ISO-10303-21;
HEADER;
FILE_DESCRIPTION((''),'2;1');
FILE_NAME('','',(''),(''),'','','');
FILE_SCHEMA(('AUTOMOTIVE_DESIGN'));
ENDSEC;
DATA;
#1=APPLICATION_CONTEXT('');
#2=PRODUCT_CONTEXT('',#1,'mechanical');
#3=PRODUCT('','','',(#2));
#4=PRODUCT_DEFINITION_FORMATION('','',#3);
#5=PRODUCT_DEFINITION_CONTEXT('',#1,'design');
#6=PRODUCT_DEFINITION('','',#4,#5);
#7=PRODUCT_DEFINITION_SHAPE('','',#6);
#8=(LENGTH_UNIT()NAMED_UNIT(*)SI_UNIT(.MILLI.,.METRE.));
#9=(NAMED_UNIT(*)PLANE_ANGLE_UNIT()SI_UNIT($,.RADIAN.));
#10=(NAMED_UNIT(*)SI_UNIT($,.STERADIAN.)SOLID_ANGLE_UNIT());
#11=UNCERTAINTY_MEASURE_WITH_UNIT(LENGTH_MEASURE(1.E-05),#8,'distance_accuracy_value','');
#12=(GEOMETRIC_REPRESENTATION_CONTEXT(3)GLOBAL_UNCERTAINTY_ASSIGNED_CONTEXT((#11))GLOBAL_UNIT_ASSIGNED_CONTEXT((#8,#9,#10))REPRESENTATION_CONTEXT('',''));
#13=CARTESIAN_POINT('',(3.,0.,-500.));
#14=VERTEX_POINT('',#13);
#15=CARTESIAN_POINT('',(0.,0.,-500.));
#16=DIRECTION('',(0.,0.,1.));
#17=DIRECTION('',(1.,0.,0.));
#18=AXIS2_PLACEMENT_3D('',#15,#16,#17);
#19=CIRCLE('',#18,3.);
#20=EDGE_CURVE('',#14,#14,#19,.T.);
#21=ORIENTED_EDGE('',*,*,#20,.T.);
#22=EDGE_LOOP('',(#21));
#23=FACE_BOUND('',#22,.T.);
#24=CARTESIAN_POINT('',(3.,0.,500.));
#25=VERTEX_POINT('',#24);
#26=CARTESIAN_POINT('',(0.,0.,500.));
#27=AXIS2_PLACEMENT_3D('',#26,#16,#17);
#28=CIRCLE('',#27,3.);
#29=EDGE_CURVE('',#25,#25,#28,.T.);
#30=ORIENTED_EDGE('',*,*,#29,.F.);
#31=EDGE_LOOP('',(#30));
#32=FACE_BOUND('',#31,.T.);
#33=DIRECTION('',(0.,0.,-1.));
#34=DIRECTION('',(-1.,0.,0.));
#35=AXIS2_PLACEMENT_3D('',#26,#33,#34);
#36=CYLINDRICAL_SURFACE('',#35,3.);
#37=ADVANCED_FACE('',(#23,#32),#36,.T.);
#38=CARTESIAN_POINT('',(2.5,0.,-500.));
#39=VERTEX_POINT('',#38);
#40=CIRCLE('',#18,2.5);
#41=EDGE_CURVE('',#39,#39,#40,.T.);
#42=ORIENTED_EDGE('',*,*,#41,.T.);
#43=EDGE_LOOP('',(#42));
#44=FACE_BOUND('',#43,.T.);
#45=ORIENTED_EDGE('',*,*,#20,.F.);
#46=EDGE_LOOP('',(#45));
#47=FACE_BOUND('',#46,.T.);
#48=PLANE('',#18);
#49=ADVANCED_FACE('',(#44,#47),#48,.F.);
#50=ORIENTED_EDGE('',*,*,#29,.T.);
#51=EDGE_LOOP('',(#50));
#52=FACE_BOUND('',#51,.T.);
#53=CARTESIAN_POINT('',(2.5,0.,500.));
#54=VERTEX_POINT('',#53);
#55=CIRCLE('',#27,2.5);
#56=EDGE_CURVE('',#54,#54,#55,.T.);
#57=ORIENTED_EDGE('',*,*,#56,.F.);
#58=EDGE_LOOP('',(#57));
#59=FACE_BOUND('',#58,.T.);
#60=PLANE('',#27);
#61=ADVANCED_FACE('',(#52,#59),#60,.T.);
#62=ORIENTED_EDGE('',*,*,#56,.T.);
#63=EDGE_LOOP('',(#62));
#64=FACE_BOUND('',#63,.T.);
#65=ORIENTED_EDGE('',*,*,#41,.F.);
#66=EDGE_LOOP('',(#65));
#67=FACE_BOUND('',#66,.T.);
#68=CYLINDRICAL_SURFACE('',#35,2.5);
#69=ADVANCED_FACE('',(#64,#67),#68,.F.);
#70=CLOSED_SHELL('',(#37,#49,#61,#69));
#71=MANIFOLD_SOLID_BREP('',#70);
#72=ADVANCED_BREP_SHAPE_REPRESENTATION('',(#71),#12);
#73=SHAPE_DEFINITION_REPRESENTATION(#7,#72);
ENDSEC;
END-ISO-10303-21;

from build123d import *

# Parameters (mm, degrees)
SKETCH1_R           = 3
BOSS_EXTRUDE1_DEPTH = 500
SHELL1_T            = -0.5


with BuildPart() as part:
    # Sketch1 → Boss-Extrude1 (new, symmetric)
    with BuildSketch(Plane.XY):
        Circle(SKETCH1_R)
    extrude(amount=BOSS_EXTRUDE1_DEPTH, both=True)

    # Shell1
    shell1_openings = [part.faces().sort_by_distance(p)[0] for p in [
        (0, 0, 500),
        (0, 0, -500),
    ]]
    offset(amount=SHELL1_T, openings=shell1_openings, kind=Kind.INTERSECTION)


solid = part.part
